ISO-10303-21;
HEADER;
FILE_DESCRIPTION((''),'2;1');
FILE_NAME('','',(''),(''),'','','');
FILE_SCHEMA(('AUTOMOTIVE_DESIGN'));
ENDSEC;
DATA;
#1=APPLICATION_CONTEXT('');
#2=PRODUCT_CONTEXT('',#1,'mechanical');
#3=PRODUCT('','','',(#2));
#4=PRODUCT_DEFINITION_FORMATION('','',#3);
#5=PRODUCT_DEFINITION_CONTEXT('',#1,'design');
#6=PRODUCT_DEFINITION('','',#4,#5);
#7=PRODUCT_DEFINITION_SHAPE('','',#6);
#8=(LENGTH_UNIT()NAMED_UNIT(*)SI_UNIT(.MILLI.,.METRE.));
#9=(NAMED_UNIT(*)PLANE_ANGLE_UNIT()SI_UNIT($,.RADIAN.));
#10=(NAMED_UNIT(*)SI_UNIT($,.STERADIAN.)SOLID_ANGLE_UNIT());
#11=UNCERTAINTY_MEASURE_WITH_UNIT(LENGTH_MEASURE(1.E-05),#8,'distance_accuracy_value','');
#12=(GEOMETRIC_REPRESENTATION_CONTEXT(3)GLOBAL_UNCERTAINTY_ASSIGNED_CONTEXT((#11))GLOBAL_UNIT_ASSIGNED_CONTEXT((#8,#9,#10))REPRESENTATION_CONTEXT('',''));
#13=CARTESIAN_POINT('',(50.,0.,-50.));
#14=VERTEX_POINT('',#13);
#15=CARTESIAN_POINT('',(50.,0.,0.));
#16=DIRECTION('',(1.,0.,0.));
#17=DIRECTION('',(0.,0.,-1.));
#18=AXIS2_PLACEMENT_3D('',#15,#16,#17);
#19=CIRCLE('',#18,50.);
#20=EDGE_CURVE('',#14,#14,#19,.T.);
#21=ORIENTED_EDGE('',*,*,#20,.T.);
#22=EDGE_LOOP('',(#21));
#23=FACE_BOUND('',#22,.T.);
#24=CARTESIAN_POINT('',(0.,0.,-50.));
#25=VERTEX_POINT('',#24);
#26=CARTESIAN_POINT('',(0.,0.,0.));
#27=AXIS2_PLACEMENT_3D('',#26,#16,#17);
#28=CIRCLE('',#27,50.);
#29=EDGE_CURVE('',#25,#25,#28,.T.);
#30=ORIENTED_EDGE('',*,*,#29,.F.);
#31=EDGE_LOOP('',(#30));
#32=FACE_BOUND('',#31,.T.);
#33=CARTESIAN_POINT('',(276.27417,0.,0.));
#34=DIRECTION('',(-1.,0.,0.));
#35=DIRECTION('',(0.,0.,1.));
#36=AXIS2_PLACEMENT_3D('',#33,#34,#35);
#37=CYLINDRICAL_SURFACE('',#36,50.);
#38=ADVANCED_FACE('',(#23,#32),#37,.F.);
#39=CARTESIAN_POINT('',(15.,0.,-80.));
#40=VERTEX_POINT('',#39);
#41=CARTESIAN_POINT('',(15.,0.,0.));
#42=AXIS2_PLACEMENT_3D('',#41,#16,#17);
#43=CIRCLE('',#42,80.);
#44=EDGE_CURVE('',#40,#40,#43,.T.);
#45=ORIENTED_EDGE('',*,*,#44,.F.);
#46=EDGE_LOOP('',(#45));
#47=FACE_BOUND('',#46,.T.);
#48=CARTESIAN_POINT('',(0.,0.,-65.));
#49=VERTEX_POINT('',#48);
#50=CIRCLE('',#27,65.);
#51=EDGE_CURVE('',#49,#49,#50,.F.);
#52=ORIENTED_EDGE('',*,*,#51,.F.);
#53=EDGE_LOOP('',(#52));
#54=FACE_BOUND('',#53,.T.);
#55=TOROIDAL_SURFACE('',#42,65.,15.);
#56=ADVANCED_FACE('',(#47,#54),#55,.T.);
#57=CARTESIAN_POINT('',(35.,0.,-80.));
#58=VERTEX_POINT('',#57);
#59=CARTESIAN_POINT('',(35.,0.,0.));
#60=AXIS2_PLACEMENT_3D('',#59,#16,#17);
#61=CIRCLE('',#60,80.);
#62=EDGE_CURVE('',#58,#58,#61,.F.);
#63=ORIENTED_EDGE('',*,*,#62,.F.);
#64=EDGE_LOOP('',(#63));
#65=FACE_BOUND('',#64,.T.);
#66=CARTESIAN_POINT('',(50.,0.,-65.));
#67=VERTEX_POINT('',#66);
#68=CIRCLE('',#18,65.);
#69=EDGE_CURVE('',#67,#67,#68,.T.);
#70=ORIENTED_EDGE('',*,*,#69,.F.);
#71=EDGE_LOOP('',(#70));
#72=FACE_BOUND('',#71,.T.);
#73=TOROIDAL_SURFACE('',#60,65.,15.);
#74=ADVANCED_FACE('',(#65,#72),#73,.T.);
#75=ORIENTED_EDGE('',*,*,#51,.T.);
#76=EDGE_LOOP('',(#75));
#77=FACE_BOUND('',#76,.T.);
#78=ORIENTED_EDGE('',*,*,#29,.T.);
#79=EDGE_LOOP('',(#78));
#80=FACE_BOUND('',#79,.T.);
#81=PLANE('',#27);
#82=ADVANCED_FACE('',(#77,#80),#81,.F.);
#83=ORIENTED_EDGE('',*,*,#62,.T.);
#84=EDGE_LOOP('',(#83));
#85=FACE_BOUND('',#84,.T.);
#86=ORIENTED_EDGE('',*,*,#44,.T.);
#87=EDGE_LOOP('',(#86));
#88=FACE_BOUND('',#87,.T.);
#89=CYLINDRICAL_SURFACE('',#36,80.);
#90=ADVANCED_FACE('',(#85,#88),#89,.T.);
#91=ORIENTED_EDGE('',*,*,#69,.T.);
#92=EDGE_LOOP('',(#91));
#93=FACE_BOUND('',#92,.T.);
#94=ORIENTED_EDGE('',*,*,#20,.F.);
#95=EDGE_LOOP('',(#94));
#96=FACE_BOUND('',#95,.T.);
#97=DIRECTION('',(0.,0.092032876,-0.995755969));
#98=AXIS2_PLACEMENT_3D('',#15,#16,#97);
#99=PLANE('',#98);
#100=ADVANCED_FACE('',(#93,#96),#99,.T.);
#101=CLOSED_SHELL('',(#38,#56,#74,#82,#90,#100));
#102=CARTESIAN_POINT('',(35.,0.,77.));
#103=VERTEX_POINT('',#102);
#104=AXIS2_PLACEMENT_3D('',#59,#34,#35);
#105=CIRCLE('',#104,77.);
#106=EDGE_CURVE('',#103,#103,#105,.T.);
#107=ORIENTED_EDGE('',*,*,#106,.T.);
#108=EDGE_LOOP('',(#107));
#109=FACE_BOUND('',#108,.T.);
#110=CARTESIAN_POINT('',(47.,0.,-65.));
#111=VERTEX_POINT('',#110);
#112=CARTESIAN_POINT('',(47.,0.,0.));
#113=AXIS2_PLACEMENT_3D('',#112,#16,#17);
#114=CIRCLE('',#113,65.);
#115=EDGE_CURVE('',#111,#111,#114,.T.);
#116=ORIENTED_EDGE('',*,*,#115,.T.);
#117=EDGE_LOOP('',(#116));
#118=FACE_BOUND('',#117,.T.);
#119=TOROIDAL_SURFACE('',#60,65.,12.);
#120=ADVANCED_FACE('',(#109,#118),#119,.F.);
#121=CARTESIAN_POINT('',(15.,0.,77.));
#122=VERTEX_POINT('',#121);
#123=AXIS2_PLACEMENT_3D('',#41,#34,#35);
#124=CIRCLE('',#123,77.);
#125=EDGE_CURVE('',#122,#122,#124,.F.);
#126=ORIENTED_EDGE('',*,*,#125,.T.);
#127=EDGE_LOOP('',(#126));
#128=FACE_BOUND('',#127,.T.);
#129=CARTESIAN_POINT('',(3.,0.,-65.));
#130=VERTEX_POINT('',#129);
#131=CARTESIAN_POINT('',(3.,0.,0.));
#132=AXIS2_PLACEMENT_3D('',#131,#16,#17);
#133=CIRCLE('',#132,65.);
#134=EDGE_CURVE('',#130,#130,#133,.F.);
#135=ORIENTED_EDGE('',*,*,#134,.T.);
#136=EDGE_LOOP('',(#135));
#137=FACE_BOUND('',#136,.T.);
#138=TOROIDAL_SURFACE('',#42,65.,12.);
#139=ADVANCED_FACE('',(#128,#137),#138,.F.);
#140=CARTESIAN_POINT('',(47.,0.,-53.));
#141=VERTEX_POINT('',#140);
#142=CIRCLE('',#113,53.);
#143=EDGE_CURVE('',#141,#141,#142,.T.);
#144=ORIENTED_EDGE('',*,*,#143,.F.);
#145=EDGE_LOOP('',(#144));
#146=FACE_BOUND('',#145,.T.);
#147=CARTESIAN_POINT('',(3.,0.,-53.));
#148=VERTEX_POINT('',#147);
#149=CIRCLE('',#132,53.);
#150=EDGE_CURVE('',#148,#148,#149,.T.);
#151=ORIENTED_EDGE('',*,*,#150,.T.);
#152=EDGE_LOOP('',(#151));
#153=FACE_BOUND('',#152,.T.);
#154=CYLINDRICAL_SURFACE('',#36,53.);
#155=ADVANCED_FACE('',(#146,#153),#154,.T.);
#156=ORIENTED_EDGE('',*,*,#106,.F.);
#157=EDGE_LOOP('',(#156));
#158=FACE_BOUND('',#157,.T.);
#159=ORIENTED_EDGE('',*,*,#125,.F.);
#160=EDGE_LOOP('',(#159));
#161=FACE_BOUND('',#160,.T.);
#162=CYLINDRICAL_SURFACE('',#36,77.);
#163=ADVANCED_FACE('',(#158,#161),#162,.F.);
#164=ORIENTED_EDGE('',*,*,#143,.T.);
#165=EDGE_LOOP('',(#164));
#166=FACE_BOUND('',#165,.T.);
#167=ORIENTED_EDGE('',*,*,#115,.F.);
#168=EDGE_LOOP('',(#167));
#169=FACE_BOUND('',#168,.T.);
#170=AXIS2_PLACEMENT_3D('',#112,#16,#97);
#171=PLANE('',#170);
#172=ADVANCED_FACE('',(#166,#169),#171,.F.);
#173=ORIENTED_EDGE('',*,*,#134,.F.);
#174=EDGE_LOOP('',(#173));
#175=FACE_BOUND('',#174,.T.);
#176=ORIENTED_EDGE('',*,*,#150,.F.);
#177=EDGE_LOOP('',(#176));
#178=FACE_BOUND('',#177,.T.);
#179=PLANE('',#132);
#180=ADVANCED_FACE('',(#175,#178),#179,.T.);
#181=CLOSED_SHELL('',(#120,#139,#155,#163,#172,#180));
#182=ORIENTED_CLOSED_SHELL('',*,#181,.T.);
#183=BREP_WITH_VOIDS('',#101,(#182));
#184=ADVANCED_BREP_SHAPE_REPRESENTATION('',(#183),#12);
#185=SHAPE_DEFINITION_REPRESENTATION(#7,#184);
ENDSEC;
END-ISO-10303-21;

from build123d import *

# Parameters (mm, degrees)
ESBO_O1_R                = 80
ESBO_O1_R_2              = 50
RESSALTO_EXTRUS_O1_DEPTH = 50
FILETE1_R                = 15
CASCA1_T                 = 3


with BuildPart() as part:
    # Esboço1 → Ressalto-extrusão1 (new body)
    with BuildSketch(Plane(origin=(0, 0, 0), x_dir=(0, 0, -1), z_dir=(1, 0, 0))):
        Circle(ESBO_O1_R)
        Circle(ESBO_O1_R_2, mode=Mode.SUBTRACT)
    extrude(amount=RESSALTO_EXTRUS_O1_DEPTH)

    # Filete1
    filete1_edges = [part.edges().sort_by_distance(p)[0] for p in [
        (50, 0, 80),
        (0, 0, 80),
    ]]
    fillet(filete1_edges, radius=FILETE1_R)

    # Casca1 (no face opened: a closed hollow body)
    add(offset(amount=-CASCA1_T, mode=Mode.PRIVATE), mode=Mode.SUBTRACT)


solid = part.part
